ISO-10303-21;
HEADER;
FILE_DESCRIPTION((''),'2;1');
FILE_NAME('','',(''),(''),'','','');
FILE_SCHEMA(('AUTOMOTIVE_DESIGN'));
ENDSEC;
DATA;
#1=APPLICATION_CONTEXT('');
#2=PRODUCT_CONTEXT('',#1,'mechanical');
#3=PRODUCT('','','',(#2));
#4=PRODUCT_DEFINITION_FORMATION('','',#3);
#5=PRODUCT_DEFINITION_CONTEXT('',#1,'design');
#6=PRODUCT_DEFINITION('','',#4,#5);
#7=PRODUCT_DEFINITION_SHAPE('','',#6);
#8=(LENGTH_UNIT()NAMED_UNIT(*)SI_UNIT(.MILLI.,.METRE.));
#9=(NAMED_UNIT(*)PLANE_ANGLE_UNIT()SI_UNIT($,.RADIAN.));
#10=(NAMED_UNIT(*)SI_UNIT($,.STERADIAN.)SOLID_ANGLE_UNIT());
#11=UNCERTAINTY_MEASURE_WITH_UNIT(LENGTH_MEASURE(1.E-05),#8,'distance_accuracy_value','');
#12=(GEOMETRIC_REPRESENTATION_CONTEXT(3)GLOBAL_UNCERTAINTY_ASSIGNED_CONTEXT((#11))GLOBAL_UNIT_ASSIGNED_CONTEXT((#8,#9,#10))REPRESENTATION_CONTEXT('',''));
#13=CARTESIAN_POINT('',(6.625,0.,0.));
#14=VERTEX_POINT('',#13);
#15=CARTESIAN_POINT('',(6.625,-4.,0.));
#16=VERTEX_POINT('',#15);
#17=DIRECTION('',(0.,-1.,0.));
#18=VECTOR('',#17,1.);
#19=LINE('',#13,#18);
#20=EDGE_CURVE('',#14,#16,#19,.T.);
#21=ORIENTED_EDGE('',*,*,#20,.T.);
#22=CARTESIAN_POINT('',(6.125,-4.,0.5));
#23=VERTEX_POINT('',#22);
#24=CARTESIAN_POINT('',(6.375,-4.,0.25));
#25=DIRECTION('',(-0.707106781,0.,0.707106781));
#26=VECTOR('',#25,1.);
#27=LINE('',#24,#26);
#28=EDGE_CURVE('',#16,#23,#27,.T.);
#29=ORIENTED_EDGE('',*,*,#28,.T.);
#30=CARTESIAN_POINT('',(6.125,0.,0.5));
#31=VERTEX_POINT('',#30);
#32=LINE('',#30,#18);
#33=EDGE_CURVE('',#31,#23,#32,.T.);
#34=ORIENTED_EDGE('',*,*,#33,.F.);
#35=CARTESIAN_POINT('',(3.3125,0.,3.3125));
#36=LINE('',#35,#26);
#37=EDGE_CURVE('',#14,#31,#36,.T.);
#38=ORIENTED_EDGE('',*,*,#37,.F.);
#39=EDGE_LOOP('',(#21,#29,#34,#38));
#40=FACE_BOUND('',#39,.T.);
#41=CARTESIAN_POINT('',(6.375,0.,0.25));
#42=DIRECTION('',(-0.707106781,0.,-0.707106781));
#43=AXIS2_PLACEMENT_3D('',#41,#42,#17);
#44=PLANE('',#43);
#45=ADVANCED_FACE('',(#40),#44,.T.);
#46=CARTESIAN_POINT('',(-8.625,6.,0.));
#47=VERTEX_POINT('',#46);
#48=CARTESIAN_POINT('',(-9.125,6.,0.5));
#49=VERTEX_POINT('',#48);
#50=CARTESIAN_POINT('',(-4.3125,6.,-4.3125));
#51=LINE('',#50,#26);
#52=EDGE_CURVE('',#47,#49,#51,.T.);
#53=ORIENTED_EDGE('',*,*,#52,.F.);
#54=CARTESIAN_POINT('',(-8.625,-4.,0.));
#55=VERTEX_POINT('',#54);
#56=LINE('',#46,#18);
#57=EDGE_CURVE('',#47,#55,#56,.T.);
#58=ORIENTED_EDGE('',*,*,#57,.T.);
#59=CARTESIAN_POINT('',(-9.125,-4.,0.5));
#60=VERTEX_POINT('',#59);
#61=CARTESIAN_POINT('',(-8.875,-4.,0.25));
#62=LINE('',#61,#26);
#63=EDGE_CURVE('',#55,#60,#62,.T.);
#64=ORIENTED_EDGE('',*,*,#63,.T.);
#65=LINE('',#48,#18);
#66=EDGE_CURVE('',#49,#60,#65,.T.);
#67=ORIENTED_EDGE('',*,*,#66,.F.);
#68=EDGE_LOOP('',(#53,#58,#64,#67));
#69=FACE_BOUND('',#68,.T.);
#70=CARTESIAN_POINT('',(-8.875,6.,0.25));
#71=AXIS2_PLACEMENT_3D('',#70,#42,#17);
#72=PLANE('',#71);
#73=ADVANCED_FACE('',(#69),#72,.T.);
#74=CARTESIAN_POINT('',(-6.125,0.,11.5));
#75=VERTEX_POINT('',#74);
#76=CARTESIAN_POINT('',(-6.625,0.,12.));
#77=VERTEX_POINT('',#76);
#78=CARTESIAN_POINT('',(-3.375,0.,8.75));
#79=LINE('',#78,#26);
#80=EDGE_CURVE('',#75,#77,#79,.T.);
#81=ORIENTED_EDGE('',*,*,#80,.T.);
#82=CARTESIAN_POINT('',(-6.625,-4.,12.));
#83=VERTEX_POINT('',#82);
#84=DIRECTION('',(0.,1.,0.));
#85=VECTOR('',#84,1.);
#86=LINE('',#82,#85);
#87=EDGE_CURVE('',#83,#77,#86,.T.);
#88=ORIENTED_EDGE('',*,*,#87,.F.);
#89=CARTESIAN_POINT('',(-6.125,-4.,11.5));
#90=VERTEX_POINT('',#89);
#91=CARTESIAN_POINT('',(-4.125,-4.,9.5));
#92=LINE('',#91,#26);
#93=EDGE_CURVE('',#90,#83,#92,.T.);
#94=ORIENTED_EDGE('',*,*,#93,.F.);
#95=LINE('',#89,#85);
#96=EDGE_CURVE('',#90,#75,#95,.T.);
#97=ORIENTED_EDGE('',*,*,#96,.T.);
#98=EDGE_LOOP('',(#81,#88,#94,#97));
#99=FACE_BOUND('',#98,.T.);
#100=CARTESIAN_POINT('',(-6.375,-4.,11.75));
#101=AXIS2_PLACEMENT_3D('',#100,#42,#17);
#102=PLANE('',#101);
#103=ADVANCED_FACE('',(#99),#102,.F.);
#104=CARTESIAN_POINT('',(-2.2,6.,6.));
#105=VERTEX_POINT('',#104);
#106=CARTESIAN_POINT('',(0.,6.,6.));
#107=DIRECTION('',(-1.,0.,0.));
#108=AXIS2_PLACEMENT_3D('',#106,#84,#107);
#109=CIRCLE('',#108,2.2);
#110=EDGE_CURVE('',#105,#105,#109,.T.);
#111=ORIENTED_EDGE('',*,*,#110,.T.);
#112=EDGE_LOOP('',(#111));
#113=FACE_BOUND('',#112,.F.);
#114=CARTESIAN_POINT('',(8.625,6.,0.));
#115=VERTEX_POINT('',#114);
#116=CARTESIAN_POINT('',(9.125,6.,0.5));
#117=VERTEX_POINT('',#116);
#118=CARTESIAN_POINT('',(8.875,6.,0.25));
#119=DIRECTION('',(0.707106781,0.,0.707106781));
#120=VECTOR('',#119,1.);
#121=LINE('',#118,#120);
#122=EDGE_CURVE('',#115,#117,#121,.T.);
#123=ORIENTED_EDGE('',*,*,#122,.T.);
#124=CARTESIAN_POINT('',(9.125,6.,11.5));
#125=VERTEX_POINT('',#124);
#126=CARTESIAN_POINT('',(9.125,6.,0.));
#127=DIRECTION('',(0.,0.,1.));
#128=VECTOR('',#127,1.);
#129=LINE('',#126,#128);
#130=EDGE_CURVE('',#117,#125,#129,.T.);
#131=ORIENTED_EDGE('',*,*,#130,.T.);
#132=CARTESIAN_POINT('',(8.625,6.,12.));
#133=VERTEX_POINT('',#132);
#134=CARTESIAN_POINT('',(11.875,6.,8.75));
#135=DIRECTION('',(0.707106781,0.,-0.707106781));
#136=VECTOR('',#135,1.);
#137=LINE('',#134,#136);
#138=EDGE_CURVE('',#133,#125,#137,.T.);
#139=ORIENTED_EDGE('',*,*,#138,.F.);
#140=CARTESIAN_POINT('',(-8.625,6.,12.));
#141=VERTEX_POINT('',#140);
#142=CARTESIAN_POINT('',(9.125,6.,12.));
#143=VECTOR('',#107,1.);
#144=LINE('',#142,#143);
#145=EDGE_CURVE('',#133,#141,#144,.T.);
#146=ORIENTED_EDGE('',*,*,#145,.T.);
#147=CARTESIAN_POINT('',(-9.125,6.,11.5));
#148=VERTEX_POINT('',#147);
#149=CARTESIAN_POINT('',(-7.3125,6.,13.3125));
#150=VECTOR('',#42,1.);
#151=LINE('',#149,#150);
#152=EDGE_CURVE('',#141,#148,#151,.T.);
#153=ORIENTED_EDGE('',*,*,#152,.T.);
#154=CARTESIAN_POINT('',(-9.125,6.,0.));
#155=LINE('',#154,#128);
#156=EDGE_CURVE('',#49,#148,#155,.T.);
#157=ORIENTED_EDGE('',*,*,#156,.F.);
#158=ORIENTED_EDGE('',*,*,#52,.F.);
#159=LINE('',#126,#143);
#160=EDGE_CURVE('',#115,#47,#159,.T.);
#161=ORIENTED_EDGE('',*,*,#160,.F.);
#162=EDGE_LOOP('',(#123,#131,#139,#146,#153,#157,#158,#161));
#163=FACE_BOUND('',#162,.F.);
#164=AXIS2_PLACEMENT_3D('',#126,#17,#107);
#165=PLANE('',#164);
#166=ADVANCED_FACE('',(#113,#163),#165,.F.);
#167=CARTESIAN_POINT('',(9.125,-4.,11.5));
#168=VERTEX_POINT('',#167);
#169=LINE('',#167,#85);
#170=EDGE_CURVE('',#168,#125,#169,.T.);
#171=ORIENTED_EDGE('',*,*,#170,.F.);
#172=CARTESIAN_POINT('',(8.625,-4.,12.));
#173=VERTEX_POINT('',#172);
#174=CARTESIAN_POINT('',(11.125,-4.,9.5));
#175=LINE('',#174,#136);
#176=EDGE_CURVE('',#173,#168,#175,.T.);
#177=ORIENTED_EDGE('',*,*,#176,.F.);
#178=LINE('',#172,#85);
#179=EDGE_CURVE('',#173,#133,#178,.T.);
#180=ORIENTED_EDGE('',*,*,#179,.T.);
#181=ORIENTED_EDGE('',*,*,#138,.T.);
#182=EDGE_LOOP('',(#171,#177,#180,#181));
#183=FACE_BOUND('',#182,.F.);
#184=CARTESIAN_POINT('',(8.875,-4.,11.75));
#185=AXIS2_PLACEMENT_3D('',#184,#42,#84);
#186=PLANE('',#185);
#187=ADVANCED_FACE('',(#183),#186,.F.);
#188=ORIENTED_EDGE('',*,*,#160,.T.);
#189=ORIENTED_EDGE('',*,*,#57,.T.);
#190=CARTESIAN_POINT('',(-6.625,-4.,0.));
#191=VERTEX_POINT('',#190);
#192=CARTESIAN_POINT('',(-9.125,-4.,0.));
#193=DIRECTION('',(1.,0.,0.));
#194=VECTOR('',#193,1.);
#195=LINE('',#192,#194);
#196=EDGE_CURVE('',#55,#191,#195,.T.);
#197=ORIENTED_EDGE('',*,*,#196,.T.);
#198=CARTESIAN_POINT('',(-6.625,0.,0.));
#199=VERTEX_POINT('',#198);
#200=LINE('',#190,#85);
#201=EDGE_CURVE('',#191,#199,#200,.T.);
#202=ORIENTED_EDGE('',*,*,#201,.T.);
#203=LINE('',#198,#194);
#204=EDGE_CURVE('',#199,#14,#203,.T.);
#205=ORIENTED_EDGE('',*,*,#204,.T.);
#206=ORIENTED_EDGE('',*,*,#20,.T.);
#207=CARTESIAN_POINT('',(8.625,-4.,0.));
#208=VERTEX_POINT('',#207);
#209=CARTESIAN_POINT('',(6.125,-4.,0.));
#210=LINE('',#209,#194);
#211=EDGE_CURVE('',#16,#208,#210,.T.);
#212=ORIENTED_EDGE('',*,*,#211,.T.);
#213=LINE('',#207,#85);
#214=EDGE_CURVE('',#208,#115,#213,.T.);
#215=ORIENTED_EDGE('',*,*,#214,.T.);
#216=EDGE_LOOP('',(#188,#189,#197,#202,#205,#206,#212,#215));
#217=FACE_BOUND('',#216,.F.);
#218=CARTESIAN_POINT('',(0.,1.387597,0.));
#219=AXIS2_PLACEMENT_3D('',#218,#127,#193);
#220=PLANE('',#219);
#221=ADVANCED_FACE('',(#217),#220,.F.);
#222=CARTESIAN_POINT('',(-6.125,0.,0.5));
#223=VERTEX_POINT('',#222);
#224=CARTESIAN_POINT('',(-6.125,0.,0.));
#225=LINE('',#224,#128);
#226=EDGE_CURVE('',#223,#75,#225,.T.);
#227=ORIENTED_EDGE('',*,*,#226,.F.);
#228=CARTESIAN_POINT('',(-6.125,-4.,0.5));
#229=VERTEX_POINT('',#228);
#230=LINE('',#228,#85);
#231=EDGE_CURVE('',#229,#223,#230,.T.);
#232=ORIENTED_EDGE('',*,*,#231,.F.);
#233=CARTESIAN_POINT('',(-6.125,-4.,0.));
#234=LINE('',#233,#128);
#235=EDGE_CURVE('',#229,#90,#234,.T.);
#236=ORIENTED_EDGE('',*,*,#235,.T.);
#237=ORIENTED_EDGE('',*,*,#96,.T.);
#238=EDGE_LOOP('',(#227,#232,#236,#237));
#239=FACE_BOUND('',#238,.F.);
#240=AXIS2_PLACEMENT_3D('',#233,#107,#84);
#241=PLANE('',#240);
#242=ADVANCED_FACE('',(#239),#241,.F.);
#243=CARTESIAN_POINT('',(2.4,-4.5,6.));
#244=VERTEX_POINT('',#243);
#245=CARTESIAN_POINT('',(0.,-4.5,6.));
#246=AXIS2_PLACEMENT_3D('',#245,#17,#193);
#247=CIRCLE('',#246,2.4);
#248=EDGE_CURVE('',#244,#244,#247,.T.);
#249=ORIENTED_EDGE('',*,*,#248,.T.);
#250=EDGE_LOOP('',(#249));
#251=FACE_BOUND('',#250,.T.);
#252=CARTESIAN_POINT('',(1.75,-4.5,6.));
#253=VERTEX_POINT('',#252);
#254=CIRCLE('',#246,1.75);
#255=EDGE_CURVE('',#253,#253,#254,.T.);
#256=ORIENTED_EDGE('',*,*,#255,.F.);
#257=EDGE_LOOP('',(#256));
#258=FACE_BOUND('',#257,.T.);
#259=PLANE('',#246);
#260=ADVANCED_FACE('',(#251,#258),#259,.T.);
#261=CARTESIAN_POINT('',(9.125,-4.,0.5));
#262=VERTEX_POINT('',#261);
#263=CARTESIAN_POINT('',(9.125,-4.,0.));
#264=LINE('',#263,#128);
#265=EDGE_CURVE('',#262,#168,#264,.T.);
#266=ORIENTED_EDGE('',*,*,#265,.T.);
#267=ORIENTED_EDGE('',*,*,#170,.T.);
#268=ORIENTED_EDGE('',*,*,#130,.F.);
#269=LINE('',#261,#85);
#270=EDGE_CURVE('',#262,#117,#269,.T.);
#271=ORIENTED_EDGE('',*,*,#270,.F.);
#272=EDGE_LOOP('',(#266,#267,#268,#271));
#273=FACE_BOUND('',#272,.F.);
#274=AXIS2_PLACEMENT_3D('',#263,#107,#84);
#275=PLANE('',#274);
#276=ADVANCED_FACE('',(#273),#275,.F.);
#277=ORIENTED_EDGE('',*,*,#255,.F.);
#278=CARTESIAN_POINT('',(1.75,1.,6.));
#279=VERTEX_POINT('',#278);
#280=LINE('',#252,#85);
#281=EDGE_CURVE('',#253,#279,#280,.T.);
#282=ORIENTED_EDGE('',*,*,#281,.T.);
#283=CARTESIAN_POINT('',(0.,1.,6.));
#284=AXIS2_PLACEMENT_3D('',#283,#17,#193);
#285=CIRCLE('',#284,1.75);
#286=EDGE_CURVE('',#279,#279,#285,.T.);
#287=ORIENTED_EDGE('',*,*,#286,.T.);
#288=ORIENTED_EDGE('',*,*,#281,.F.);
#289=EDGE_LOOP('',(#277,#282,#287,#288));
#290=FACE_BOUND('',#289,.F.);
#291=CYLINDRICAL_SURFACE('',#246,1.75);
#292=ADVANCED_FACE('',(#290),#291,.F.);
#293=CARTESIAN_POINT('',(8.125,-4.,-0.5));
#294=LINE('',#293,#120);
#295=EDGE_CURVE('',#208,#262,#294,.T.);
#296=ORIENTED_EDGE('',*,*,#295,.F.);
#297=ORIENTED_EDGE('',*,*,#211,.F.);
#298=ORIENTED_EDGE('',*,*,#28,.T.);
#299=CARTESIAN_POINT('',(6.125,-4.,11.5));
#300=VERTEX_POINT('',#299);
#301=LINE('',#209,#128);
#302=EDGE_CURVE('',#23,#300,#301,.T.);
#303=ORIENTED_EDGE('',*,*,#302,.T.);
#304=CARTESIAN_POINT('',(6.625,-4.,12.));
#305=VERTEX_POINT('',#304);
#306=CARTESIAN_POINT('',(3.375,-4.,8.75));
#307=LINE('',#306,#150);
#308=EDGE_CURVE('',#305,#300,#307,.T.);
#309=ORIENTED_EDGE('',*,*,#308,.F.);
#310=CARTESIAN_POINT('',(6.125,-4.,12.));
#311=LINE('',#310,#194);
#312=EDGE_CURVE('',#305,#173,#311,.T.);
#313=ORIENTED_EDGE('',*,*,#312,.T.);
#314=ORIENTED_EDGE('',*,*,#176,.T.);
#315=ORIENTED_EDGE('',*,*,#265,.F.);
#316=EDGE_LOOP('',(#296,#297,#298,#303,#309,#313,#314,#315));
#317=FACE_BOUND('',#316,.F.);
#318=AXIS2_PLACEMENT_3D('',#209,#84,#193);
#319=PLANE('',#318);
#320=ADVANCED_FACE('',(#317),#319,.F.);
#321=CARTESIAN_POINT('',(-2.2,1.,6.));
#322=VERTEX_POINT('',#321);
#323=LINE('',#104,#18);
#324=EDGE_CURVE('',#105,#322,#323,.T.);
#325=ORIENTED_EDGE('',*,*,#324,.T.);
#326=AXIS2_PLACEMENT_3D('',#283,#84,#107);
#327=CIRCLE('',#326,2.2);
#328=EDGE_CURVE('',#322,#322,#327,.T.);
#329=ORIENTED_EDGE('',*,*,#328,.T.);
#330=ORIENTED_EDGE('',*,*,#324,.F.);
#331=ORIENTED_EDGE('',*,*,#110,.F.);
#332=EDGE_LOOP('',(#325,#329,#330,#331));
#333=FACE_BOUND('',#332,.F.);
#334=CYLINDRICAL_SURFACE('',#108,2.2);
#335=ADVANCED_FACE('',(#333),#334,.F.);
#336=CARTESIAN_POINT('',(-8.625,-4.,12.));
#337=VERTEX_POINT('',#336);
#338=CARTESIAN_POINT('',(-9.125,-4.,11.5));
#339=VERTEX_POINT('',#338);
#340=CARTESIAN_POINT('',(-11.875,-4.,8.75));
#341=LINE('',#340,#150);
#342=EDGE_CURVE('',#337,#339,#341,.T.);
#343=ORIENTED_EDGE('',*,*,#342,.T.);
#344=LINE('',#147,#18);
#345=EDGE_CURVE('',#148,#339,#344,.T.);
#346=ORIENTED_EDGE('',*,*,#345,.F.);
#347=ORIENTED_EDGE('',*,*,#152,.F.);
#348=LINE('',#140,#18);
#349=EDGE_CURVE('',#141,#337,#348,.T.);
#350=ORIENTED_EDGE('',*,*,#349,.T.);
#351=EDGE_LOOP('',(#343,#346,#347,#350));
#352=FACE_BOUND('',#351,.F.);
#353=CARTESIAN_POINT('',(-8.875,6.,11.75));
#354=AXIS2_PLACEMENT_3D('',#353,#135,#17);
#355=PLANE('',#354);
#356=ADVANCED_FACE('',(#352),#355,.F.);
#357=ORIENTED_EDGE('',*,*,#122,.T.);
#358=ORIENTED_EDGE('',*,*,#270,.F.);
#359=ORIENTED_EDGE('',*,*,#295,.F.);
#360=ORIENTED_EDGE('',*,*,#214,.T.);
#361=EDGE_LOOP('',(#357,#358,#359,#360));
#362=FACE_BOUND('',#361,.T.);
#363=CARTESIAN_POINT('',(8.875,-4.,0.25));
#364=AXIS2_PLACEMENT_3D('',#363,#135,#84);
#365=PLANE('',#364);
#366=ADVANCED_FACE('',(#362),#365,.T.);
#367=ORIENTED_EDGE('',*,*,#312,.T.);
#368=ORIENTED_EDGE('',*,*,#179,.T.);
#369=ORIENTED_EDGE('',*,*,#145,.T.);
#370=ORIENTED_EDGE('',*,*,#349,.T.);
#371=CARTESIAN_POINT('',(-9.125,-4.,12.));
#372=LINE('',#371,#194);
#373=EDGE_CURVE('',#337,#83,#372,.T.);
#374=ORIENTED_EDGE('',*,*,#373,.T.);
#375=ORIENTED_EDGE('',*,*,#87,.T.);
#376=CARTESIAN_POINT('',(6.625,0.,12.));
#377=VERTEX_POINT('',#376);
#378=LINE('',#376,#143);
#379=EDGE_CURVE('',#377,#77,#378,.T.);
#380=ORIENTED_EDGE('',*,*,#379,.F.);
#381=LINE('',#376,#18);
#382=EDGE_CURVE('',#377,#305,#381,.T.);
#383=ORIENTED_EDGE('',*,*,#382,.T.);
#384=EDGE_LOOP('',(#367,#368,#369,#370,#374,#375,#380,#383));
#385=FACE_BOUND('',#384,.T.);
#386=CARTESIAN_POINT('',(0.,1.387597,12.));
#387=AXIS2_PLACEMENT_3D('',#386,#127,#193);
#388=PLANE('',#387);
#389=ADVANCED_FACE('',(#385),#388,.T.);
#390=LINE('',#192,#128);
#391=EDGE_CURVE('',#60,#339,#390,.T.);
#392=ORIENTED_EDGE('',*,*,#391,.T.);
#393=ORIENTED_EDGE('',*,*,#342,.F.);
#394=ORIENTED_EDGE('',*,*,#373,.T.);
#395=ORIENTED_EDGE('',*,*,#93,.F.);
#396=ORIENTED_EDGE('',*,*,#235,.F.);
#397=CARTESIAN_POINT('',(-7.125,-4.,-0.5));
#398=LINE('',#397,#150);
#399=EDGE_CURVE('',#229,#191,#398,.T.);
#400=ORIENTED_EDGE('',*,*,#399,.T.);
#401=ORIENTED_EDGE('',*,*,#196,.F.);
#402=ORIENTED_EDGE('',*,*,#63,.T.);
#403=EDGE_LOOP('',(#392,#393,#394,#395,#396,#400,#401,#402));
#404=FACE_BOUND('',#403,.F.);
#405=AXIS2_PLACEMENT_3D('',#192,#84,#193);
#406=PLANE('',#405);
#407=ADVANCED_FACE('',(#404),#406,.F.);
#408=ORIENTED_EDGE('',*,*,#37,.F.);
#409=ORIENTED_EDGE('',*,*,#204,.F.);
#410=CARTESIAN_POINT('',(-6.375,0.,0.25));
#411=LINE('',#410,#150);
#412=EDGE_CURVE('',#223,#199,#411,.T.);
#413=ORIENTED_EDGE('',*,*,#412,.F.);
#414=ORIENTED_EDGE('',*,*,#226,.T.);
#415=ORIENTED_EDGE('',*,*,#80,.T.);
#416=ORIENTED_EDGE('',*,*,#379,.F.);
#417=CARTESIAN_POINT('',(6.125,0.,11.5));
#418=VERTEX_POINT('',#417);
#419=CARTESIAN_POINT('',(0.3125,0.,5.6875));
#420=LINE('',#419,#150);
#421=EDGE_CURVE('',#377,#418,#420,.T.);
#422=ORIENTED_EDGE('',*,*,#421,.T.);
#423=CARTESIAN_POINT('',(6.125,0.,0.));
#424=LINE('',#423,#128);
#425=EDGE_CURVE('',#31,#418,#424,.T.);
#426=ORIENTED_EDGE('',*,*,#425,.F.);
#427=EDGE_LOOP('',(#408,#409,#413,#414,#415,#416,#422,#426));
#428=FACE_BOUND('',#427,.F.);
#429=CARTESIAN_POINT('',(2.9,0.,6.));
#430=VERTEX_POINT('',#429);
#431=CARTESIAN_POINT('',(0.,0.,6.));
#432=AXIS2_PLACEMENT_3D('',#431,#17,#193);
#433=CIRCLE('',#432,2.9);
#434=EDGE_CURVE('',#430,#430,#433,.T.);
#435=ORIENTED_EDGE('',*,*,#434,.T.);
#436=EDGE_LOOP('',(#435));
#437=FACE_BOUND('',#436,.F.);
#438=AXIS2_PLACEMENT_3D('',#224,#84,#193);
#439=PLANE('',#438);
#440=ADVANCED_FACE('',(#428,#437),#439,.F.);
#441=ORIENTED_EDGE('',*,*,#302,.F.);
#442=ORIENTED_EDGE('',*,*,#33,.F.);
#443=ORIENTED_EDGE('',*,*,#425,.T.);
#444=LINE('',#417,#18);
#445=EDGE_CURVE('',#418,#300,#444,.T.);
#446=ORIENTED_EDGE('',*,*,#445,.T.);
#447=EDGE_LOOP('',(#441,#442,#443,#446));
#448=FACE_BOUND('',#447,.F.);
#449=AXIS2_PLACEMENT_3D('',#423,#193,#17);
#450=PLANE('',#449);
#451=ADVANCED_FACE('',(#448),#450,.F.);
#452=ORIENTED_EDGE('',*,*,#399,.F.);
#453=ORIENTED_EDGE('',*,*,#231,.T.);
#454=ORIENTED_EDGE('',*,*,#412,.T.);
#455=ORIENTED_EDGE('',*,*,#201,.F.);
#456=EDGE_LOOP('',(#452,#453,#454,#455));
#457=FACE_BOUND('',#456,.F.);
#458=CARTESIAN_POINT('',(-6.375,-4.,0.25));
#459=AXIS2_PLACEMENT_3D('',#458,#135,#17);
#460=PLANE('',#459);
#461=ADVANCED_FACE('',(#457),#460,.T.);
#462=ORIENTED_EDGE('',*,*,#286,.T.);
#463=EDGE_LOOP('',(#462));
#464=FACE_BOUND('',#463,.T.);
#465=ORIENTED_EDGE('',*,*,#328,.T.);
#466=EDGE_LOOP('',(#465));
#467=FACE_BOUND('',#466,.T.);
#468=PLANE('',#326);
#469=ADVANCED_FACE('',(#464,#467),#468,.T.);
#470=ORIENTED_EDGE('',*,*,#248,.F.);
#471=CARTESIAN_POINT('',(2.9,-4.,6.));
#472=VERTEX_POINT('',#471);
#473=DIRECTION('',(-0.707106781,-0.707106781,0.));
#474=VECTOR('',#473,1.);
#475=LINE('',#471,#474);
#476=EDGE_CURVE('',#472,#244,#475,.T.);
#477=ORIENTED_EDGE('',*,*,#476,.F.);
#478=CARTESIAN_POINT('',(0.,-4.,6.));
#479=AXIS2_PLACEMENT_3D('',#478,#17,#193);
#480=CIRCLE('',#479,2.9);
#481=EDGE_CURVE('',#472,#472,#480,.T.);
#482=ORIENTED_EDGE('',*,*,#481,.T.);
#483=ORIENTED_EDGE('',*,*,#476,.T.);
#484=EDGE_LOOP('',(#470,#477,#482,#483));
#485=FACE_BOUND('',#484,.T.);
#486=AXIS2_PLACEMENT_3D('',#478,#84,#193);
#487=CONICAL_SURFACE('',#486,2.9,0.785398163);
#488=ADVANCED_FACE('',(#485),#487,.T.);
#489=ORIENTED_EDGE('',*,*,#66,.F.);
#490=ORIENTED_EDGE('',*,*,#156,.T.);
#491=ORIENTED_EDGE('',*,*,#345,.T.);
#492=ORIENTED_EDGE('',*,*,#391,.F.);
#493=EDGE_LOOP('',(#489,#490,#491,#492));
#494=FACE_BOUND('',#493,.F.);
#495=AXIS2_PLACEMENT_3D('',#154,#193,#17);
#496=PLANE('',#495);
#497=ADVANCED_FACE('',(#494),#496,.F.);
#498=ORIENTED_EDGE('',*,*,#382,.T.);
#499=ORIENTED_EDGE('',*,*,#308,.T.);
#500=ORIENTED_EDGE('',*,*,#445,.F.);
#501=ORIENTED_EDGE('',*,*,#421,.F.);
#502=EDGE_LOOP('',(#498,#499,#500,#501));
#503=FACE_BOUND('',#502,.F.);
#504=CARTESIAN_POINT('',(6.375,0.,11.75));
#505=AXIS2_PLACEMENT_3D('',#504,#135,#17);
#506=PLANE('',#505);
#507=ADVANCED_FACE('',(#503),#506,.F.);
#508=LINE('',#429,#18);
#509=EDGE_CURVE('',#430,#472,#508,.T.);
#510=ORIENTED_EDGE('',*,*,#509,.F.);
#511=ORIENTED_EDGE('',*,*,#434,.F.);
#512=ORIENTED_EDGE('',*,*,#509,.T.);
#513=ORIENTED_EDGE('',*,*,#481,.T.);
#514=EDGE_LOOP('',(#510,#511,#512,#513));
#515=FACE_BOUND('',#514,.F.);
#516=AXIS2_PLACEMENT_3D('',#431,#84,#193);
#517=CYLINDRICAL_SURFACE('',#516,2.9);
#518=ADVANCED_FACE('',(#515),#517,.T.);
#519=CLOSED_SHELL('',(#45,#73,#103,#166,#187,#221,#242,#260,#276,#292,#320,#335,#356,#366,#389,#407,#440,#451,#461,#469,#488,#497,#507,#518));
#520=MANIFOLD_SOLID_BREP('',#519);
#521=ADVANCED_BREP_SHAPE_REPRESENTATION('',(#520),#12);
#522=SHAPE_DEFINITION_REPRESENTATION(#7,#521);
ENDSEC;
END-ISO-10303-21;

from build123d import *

# Parameters (mm, degrees)
PAD_DEPTH       = 12
SKETCH001_R     = 2.9
PAD001_DEPTH    = 4.5
SKETCH002_R     = 1.75
POCKET_DEPTH    = 10.501
SKETCH003_R     = 2.2
POCKET001_DEPTH = 5
CHAMFER_SIZE    = 0.5
CHAMFER001_SIZE = 0.5


with BuildPart() as part:
    # Sketch → Pad (new body)
    with BuildSketch(Plane.XY):
        Polygon((-9.125, -4), (-6.125, -4), (-6.125, 0), (6.125, 0), (6.125, -4), (9.125, -4), (9.125, 6), (-9.125, 6), align=None)
    extrude(amount=PAD_DEPTH)

    # Sketch001 (on Face3 of Pad) → Pad001 (join)
    with BuildSketch(Plane.XZ):
        with Locations((0, 6)):
            Circle(SKETCH001_R)
    extrude(amount=PAD001_DEPTH)

    # Sketch002 (on Face12 of Pad001) → Pocket (cut, through all)
    with BuildSketch(Plane.XZ.offset(4.5)):
        with Locations((0, 6)):
            Circle(SKETCH002_R)
    extrude(amount=-POCKET_DEPTH, mode=Mode.SUBTRACT)

    # Sketch003 (on Face6 of Pocket) → Pocket001 (cut)
    with BuildSketch(Plane(origin=(0, 6, 0), x_dir=(-1, 0, 0), z_dir=(0, 1, 0))):
        with Locations((0, 6)):
            Circle(SKETCH003_R)
    extrude(amount=-POCKET001_DEPTH, mode=Mode.SUBTRACT)

    # Chamfer
    chamfer_edges = [part.edges().sort_by_distance(p)[0] for p in [
        (-2.9, -4.5, 6),
    ]]
    chamfer(chamfer_edges, length=CHAMFER_SIZE)

    # Chamfer001
    chamfer001_edges = [part.edges().sort_by_distance(p)[0] for p in [
        (-6.125, -2, 0),
        (-6.125, -2, 12),
        (6.125, -2, 0),
        (9.125, 1, 0),
        (9.125, 1, 12),
        (6.125, -2, 12),
        (-9.125, 1, 12),
        (-9.125, 1, 0),
    ]]
    chamfer(chamfer001_edges, length=CHAMFER001_SIZE)


solid = part.part
